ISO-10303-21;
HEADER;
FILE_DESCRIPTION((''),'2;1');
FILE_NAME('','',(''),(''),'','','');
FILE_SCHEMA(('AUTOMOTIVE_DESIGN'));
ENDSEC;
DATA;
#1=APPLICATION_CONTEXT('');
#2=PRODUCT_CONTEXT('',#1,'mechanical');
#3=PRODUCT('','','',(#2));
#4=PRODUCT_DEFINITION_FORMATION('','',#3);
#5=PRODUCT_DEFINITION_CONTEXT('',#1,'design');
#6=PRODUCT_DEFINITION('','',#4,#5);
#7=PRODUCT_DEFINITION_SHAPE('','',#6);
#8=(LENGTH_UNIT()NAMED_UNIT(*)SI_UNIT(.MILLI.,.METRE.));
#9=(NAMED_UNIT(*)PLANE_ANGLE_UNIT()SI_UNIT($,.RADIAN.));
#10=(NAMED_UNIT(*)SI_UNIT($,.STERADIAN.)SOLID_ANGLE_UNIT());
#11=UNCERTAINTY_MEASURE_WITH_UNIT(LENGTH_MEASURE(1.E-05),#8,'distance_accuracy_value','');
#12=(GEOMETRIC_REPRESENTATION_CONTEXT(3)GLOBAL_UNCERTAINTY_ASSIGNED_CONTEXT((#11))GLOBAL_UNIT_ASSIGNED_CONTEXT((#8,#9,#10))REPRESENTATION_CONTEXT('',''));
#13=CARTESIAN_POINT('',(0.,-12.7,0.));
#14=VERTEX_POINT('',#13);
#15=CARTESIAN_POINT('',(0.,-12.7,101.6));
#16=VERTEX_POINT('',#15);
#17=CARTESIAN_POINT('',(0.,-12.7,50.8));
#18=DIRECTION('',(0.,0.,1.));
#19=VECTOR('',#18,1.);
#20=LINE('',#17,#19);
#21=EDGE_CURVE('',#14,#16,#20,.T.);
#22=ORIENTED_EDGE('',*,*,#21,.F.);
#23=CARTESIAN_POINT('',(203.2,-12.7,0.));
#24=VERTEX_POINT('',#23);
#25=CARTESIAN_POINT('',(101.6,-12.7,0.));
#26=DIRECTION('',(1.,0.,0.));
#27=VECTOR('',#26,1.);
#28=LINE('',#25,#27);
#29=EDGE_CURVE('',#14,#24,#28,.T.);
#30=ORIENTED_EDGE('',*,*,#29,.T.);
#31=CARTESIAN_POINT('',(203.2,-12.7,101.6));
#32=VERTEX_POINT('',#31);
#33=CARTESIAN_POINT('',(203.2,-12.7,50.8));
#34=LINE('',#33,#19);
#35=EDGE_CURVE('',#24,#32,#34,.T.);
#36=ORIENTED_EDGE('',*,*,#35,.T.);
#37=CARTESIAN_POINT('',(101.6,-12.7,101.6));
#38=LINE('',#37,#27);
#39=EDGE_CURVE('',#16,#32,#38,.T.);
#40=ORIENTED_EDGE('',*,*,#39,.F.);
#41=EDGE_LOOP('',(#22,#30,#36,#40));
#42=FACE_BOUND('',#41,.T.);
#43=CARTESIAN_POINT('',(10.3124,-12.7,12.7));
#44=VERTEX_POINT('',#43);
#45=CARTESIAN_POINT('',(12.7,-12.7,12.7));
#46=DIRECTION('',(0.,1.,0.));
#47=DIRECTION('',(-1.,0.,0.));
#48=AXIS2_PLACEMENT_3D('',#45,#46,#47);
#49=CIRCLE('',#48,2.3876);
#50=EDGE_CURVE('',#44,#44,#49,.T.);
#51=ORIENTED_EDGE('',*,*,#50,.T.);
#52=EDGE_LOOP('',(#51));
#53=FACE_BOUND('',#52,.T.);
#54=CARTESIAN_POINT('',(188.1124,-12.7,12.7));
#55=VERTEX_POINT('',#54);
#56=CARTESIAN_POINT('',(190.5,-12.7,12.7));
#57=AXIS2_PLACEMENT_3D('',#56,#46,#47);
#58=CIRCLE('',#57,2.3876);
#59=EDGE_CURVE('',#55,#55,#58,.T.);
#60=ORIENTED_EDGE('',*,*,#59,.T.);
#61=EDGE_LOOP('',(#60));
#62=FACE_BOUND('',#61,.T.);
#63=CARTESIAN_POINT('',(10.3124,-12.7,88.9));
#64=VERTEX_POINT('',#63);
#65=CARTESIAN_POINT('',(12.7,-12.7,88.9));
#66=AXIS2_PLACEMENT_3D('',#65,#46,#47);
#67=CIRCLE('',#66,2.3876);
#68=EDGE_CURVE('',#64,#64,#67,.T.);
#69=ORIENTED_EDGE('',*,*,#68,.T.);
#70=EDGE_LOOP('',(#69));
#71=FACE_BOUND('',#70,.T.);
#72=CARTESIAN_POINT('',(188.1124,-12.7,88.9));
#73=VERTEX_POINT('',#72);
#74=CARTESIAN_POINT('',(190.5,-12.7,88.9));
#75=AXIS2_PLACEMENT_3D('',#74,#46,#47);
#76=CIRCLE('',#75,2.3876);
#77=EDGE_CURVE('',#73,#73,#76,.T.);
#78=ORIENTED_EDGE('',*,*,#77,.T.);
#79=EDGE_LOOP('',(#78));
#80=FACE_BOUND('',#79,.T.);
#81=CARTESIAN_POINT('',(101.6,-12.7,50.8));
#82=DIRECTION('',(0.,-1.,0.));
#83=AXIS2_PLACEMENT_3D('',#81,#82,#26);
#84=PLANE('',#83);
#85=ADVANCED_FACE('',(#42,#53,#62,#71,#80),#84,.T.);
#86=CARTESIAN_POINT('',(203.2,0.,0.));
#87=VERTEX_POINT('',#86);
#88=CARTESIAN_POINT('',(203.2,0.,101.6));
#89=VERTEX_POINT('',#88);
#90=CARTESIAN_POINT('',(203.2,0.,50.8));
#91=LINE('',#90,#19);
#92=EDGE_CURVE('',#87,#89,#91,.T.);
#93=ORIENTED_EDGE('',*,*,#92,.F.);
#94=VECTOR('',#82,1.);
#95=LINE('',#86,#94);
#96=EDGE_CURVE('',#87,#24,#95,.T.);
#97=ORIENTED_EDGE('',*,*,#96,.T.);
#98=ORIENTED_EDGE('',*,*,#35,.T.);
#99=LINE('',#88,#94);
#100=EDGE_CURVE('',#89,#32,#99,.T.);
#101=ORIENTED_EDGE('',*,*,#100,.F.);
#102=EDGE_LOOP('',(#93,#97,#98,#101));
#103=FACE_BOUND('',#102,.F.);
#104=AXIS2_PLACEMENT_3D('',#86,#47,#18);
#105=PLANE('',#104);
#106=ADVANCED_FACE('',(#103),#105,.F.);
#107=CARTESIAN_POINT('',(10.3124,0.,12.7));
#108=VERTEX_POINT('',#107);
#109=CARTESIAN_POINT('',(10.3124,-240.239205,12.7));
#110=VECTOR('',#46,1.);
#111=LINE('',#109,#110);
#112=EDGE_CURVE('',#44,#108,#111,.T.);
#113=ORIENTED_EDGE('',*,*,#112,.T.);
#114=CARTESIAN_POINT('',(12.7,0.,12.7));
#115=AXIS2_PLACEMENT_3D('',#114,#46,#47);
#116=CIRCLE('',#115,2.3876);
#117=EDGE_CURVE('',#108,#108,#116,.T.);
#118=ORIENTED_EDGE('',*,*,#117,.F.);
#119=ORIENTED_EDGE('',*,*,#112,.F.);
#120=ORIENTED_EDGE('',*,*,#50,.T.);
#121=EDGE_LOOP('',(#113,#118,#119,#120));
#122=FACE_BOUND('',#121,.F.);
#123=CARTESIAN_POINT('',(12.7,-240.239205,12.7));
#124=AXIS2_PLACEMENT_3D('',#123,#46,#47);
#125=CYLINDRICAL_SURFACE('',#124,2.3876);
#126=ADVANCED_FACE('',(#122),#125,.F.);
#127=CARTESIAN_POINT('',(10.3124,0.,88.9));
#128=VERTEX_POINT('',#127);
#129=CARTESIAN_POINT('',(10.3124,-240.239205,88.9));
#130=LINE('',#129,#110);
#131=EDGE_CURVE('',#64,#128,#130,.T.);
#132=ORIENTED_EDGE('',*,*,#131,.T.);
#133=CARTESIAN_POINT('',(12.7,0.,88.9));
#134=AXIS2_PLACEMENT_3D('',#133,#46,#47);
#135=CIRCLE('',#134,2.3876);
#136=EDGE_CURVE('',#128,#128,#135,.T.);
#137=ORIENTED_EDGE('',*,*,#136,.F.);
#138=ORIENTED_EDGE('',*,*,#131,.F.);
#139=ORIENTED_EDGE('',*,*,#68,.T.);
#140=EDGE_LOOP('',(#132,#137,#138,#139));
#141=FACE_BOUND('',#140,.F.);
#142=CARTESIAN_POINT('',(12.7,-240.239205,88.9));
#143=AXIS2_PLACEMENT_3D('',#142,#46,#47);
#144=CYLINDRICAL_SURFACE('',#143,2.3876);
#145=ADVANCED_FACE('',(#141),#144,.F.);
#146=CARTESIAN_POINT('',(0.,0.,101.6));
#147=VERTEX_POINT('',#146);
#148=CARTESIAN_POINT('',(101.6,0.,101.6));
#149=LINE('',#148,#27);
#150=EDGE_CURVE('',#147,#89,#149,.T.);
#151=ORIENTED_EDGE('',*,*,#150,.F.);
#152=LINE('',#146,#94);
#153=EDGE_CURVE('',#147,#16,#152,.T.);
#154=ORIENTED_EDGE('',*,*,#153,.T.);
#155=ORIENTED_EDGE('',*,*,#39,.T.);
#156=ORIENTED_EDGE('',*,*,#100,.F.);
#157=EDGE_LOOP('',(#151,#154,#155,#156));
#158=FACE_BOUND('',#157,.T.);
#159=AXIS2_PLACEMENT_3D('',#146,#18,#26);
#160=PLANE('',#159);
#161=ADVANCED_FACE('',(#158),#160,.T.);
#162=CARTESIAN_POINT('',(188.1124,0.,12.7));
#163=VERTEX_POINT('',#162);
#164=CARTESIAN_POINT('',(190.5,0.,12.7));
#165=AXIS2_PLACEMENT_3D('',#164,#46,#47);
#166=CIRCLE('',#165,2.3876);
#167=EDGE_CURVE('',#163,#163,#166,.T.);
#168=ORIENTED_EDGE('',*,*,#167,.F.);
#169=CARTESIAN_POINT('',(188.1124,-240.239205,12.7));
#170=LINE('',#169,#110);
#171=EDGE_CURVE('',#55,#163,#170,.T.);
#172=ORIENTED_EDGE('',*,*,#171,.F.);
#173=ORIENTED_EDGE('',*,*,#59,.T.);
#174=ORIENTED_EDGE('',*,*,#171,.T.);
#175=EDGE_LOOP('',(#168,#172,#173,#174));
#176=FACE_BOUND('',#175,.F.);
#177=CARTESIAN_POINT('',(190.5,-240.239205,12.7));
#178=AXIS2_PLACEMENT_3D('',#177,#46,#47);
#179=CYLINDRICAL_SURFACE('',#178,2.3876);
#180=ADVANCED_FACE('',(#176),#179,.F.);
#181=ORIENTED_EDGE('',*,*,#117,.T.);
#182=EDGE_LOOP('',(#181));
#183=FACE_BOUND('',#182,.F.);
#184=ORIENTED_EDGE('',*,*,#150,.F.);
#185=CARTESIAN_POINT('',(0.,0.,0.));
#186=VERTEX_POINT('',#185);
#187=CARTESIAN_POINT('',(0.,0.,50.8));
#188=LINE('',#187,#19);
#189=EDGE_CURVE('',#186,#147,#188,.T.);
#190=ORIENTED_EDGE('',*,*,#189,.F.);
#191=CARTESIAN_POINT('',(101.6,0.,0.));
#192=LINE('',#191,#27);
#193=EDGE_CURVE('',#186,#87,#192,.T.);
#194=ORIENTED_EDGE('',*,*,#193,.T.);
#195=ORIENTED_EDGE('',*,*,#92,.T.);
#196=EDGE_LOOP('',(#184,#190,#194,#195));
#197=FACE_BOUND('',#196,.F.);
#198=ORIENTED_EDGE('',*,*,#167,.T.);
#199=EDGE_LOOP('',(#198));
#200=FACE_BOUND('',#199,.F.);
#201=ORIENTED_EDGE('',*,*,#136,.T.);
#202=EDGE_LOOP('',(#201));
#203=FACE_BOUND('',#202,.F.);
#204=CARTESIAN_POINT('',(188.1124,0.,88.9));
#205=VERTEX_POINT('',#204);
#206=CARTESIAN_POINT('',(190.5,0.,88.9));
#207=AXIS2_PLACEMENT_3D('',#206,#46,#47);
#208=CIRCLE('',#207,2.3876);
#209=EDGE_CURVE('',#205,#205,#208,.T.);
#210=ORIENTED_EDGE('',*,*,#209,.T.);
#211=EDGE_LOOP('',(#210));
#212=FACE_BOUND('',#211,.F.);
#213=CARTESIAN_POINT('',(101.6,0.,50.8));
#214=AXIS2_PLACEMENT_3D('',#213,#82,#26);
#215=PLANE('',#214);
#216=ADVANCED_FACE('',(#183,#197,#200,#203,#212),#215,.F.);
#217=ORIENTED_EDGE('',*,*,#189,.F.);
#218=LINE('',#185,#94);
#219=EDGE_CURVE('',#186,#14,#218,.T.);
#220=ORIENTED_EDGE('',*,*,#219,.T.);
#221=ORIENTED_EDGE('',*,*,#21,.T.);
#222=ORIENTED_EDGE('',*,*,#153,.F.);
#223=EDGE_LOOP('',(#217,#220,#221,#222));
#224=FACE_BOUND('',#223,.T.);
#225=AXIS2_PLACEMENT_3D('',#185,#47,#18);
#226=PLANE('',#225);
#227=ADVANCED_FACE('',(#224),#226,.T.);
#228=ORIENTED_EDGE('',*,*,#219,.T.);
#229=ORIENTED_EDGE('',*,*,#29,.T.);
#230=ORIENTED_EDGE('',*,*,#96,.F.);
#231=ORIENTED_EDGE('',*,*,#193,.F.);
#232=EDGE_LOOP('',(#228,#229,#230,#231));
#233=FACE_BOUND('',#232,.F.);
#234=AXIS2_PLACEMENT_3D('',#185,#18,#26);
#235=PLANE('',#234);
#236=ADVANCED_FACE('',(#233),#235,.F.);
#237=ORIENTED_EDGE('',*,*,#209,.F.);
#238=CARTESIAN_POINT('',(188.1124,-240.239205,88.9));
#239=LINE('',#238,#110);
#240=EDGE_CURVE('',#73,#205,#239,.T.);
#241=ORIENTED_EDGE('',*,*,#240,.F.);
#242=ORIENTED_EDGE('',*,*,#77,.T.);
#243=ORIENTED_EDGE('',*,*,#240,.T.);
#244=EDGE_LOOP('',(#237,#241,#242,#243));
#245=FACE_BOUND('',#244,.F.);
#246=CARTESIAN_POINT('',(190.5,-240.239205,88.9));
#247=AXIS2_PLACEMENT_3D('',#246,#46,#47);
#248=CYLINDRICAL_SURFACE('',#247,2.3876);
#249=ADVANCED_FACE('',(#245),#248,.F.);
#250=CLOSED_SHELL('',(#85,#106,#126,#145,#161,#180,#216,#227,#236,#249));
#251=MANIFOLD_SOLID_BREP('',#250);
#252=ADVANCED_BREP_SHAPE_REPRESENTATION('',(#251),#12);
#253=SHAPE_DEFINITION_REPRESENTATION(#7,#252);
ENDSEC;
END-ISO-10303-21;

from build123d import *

# Parameters (mm, degrees)
F0_W     = 203.2
F0_H     = 101.6
F1_DEPTH = 12.7
F3_D     = 4.7752


with BuildPart() as f1:
    # F0 (on Front) → F1 (new body)
    with BuildSketch(Plane.XZ):
        with Locations((101.6, 50.8)):
            Rectangle(F0_W, F0_H)
    extrude(amount=F1_DEPTH)

    # F3 (through all)
    with Locations(Plane.XZ.offset(12.7)):
        with Locations((12.7, 12.7), (190.5, 12.7), (190.5, 88.9), (12.7, 88.9)):
            Hole(F3_D / 2)


solid = f1.part
